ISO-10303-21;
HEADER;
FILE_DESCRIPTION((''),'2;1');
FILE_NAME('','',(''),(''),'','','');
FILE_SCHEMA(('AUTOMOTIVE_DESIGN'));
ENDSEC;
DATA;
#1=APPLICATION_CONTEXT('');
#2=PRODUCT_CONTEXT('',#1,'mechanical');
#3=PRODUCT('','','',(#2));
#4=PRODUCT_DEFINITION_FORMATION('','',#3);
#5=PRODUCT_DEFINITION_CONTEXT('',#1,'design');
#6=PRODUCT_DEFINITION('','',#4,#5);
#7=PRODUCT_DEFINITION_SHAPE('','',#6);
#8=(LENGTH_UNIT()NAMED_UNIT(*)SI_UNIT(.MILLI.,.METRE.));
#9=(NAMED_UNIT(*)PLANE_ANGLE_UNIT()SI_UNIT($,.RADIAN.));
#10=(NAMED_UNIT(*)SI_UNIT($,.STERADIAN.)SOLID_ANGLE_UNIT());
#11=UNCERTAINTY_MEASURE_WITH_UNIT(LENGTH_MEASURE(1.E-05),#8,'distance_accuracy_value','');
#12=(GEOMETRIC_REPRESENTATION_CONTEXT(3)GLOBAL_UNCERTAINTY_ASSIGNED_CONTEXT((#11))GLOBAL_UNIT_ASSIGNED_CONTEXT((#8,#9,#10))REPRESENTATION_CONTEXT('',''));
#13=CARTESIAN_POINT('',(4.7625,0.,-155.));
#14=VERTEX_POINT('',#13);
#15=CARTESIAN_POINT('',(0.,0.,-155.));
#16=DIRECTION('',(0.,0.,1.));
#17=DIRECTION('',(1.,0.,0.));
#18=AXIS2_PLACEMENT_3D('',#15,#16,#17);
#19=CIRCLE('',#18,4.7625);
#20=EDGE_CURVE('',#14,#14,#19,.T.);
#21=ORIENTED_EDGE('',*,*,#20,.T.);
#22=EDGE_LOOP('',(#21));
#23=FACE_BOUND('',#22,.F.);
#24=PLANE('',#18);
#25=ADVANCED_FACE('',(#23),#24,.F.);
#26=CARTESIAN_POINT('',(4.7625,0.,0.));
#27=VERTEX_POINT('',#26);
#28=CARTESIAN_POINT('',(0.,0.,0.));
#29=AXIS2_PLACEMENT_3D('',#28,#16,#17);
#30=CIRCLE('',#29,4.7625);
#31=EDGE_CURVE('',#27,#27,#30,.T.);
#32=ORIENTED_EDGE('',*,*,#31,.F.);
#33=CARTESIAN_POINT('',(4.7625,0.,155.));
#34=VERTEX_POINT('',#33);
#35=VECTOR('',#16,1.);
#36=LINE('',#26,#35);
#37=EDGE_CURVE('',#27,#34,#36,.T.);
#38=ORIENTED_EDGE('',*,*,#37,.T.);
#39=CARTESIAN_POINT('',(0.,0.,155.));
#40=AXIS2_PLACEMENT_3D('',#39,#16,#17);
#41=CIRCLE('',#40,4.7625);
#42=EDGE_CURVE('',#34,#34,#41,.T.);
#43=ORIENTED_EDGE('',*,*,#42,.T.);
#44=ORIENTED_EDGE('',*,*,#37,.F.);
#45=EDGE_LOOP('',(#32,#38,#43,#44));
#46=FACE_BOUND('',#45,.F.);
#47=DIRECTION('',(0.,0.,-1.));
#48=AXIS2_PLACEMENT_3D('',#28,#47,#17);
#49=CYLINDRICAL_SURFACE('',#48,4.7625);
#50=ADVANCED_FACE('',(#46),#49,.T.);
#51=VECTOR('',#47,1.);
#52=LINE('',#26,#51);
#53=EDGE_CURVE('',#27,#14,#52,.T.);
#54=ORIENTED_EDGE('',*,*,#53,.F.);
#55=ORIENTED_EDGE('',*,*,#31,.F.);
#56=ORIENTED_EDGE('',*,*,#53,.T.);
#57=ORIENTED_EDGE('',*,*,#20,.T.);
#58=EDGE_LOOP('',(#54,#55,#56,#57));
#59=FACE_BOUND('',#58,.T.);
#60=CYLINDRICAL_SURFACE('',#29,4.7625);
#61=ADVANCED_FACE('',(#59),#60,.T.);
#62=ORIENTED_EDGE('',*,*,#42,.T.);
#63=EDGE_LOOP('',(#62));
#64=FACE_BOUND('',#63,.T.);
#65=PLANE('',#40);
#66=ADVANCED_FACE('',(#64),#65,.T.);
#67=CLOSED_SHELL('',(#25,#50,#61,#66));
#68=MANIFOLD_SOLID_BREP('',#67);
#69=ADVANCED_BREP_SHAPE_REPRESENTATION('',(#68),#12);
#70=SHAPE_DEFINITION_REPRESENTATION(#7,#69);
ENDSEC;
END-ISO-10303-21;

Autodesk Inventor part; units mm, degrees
ref_plane "YZ Plane" through (0, 0, 0) normal (1, 0, 0) x (0, 1, 0)
ref_plane "XZ Plane" through (0, 0, 0) normal (0, 1, 0) x (-1, 0, 0)
ref_plane "XY Plane" through (0, 0, 0) normal (0, 0, 1) x (1, 0, 0)
sketch "Sketch1" plane through (0, 0, 0) normal (0, 0, 1) x (1, 0, 0)
  circle A0 centre (0, 0) radius 4.7625
  dimension "d0" = 9.525
extrude "Extrusion1" add sketch "Sketch1" along normal mid plane 310
thread "Thread1" size "3/8-40 UNS" class "2A" standard "ANSI Unified Screw Threads" full length
properties part number "LeadScrew" material "Steel, Mild"
